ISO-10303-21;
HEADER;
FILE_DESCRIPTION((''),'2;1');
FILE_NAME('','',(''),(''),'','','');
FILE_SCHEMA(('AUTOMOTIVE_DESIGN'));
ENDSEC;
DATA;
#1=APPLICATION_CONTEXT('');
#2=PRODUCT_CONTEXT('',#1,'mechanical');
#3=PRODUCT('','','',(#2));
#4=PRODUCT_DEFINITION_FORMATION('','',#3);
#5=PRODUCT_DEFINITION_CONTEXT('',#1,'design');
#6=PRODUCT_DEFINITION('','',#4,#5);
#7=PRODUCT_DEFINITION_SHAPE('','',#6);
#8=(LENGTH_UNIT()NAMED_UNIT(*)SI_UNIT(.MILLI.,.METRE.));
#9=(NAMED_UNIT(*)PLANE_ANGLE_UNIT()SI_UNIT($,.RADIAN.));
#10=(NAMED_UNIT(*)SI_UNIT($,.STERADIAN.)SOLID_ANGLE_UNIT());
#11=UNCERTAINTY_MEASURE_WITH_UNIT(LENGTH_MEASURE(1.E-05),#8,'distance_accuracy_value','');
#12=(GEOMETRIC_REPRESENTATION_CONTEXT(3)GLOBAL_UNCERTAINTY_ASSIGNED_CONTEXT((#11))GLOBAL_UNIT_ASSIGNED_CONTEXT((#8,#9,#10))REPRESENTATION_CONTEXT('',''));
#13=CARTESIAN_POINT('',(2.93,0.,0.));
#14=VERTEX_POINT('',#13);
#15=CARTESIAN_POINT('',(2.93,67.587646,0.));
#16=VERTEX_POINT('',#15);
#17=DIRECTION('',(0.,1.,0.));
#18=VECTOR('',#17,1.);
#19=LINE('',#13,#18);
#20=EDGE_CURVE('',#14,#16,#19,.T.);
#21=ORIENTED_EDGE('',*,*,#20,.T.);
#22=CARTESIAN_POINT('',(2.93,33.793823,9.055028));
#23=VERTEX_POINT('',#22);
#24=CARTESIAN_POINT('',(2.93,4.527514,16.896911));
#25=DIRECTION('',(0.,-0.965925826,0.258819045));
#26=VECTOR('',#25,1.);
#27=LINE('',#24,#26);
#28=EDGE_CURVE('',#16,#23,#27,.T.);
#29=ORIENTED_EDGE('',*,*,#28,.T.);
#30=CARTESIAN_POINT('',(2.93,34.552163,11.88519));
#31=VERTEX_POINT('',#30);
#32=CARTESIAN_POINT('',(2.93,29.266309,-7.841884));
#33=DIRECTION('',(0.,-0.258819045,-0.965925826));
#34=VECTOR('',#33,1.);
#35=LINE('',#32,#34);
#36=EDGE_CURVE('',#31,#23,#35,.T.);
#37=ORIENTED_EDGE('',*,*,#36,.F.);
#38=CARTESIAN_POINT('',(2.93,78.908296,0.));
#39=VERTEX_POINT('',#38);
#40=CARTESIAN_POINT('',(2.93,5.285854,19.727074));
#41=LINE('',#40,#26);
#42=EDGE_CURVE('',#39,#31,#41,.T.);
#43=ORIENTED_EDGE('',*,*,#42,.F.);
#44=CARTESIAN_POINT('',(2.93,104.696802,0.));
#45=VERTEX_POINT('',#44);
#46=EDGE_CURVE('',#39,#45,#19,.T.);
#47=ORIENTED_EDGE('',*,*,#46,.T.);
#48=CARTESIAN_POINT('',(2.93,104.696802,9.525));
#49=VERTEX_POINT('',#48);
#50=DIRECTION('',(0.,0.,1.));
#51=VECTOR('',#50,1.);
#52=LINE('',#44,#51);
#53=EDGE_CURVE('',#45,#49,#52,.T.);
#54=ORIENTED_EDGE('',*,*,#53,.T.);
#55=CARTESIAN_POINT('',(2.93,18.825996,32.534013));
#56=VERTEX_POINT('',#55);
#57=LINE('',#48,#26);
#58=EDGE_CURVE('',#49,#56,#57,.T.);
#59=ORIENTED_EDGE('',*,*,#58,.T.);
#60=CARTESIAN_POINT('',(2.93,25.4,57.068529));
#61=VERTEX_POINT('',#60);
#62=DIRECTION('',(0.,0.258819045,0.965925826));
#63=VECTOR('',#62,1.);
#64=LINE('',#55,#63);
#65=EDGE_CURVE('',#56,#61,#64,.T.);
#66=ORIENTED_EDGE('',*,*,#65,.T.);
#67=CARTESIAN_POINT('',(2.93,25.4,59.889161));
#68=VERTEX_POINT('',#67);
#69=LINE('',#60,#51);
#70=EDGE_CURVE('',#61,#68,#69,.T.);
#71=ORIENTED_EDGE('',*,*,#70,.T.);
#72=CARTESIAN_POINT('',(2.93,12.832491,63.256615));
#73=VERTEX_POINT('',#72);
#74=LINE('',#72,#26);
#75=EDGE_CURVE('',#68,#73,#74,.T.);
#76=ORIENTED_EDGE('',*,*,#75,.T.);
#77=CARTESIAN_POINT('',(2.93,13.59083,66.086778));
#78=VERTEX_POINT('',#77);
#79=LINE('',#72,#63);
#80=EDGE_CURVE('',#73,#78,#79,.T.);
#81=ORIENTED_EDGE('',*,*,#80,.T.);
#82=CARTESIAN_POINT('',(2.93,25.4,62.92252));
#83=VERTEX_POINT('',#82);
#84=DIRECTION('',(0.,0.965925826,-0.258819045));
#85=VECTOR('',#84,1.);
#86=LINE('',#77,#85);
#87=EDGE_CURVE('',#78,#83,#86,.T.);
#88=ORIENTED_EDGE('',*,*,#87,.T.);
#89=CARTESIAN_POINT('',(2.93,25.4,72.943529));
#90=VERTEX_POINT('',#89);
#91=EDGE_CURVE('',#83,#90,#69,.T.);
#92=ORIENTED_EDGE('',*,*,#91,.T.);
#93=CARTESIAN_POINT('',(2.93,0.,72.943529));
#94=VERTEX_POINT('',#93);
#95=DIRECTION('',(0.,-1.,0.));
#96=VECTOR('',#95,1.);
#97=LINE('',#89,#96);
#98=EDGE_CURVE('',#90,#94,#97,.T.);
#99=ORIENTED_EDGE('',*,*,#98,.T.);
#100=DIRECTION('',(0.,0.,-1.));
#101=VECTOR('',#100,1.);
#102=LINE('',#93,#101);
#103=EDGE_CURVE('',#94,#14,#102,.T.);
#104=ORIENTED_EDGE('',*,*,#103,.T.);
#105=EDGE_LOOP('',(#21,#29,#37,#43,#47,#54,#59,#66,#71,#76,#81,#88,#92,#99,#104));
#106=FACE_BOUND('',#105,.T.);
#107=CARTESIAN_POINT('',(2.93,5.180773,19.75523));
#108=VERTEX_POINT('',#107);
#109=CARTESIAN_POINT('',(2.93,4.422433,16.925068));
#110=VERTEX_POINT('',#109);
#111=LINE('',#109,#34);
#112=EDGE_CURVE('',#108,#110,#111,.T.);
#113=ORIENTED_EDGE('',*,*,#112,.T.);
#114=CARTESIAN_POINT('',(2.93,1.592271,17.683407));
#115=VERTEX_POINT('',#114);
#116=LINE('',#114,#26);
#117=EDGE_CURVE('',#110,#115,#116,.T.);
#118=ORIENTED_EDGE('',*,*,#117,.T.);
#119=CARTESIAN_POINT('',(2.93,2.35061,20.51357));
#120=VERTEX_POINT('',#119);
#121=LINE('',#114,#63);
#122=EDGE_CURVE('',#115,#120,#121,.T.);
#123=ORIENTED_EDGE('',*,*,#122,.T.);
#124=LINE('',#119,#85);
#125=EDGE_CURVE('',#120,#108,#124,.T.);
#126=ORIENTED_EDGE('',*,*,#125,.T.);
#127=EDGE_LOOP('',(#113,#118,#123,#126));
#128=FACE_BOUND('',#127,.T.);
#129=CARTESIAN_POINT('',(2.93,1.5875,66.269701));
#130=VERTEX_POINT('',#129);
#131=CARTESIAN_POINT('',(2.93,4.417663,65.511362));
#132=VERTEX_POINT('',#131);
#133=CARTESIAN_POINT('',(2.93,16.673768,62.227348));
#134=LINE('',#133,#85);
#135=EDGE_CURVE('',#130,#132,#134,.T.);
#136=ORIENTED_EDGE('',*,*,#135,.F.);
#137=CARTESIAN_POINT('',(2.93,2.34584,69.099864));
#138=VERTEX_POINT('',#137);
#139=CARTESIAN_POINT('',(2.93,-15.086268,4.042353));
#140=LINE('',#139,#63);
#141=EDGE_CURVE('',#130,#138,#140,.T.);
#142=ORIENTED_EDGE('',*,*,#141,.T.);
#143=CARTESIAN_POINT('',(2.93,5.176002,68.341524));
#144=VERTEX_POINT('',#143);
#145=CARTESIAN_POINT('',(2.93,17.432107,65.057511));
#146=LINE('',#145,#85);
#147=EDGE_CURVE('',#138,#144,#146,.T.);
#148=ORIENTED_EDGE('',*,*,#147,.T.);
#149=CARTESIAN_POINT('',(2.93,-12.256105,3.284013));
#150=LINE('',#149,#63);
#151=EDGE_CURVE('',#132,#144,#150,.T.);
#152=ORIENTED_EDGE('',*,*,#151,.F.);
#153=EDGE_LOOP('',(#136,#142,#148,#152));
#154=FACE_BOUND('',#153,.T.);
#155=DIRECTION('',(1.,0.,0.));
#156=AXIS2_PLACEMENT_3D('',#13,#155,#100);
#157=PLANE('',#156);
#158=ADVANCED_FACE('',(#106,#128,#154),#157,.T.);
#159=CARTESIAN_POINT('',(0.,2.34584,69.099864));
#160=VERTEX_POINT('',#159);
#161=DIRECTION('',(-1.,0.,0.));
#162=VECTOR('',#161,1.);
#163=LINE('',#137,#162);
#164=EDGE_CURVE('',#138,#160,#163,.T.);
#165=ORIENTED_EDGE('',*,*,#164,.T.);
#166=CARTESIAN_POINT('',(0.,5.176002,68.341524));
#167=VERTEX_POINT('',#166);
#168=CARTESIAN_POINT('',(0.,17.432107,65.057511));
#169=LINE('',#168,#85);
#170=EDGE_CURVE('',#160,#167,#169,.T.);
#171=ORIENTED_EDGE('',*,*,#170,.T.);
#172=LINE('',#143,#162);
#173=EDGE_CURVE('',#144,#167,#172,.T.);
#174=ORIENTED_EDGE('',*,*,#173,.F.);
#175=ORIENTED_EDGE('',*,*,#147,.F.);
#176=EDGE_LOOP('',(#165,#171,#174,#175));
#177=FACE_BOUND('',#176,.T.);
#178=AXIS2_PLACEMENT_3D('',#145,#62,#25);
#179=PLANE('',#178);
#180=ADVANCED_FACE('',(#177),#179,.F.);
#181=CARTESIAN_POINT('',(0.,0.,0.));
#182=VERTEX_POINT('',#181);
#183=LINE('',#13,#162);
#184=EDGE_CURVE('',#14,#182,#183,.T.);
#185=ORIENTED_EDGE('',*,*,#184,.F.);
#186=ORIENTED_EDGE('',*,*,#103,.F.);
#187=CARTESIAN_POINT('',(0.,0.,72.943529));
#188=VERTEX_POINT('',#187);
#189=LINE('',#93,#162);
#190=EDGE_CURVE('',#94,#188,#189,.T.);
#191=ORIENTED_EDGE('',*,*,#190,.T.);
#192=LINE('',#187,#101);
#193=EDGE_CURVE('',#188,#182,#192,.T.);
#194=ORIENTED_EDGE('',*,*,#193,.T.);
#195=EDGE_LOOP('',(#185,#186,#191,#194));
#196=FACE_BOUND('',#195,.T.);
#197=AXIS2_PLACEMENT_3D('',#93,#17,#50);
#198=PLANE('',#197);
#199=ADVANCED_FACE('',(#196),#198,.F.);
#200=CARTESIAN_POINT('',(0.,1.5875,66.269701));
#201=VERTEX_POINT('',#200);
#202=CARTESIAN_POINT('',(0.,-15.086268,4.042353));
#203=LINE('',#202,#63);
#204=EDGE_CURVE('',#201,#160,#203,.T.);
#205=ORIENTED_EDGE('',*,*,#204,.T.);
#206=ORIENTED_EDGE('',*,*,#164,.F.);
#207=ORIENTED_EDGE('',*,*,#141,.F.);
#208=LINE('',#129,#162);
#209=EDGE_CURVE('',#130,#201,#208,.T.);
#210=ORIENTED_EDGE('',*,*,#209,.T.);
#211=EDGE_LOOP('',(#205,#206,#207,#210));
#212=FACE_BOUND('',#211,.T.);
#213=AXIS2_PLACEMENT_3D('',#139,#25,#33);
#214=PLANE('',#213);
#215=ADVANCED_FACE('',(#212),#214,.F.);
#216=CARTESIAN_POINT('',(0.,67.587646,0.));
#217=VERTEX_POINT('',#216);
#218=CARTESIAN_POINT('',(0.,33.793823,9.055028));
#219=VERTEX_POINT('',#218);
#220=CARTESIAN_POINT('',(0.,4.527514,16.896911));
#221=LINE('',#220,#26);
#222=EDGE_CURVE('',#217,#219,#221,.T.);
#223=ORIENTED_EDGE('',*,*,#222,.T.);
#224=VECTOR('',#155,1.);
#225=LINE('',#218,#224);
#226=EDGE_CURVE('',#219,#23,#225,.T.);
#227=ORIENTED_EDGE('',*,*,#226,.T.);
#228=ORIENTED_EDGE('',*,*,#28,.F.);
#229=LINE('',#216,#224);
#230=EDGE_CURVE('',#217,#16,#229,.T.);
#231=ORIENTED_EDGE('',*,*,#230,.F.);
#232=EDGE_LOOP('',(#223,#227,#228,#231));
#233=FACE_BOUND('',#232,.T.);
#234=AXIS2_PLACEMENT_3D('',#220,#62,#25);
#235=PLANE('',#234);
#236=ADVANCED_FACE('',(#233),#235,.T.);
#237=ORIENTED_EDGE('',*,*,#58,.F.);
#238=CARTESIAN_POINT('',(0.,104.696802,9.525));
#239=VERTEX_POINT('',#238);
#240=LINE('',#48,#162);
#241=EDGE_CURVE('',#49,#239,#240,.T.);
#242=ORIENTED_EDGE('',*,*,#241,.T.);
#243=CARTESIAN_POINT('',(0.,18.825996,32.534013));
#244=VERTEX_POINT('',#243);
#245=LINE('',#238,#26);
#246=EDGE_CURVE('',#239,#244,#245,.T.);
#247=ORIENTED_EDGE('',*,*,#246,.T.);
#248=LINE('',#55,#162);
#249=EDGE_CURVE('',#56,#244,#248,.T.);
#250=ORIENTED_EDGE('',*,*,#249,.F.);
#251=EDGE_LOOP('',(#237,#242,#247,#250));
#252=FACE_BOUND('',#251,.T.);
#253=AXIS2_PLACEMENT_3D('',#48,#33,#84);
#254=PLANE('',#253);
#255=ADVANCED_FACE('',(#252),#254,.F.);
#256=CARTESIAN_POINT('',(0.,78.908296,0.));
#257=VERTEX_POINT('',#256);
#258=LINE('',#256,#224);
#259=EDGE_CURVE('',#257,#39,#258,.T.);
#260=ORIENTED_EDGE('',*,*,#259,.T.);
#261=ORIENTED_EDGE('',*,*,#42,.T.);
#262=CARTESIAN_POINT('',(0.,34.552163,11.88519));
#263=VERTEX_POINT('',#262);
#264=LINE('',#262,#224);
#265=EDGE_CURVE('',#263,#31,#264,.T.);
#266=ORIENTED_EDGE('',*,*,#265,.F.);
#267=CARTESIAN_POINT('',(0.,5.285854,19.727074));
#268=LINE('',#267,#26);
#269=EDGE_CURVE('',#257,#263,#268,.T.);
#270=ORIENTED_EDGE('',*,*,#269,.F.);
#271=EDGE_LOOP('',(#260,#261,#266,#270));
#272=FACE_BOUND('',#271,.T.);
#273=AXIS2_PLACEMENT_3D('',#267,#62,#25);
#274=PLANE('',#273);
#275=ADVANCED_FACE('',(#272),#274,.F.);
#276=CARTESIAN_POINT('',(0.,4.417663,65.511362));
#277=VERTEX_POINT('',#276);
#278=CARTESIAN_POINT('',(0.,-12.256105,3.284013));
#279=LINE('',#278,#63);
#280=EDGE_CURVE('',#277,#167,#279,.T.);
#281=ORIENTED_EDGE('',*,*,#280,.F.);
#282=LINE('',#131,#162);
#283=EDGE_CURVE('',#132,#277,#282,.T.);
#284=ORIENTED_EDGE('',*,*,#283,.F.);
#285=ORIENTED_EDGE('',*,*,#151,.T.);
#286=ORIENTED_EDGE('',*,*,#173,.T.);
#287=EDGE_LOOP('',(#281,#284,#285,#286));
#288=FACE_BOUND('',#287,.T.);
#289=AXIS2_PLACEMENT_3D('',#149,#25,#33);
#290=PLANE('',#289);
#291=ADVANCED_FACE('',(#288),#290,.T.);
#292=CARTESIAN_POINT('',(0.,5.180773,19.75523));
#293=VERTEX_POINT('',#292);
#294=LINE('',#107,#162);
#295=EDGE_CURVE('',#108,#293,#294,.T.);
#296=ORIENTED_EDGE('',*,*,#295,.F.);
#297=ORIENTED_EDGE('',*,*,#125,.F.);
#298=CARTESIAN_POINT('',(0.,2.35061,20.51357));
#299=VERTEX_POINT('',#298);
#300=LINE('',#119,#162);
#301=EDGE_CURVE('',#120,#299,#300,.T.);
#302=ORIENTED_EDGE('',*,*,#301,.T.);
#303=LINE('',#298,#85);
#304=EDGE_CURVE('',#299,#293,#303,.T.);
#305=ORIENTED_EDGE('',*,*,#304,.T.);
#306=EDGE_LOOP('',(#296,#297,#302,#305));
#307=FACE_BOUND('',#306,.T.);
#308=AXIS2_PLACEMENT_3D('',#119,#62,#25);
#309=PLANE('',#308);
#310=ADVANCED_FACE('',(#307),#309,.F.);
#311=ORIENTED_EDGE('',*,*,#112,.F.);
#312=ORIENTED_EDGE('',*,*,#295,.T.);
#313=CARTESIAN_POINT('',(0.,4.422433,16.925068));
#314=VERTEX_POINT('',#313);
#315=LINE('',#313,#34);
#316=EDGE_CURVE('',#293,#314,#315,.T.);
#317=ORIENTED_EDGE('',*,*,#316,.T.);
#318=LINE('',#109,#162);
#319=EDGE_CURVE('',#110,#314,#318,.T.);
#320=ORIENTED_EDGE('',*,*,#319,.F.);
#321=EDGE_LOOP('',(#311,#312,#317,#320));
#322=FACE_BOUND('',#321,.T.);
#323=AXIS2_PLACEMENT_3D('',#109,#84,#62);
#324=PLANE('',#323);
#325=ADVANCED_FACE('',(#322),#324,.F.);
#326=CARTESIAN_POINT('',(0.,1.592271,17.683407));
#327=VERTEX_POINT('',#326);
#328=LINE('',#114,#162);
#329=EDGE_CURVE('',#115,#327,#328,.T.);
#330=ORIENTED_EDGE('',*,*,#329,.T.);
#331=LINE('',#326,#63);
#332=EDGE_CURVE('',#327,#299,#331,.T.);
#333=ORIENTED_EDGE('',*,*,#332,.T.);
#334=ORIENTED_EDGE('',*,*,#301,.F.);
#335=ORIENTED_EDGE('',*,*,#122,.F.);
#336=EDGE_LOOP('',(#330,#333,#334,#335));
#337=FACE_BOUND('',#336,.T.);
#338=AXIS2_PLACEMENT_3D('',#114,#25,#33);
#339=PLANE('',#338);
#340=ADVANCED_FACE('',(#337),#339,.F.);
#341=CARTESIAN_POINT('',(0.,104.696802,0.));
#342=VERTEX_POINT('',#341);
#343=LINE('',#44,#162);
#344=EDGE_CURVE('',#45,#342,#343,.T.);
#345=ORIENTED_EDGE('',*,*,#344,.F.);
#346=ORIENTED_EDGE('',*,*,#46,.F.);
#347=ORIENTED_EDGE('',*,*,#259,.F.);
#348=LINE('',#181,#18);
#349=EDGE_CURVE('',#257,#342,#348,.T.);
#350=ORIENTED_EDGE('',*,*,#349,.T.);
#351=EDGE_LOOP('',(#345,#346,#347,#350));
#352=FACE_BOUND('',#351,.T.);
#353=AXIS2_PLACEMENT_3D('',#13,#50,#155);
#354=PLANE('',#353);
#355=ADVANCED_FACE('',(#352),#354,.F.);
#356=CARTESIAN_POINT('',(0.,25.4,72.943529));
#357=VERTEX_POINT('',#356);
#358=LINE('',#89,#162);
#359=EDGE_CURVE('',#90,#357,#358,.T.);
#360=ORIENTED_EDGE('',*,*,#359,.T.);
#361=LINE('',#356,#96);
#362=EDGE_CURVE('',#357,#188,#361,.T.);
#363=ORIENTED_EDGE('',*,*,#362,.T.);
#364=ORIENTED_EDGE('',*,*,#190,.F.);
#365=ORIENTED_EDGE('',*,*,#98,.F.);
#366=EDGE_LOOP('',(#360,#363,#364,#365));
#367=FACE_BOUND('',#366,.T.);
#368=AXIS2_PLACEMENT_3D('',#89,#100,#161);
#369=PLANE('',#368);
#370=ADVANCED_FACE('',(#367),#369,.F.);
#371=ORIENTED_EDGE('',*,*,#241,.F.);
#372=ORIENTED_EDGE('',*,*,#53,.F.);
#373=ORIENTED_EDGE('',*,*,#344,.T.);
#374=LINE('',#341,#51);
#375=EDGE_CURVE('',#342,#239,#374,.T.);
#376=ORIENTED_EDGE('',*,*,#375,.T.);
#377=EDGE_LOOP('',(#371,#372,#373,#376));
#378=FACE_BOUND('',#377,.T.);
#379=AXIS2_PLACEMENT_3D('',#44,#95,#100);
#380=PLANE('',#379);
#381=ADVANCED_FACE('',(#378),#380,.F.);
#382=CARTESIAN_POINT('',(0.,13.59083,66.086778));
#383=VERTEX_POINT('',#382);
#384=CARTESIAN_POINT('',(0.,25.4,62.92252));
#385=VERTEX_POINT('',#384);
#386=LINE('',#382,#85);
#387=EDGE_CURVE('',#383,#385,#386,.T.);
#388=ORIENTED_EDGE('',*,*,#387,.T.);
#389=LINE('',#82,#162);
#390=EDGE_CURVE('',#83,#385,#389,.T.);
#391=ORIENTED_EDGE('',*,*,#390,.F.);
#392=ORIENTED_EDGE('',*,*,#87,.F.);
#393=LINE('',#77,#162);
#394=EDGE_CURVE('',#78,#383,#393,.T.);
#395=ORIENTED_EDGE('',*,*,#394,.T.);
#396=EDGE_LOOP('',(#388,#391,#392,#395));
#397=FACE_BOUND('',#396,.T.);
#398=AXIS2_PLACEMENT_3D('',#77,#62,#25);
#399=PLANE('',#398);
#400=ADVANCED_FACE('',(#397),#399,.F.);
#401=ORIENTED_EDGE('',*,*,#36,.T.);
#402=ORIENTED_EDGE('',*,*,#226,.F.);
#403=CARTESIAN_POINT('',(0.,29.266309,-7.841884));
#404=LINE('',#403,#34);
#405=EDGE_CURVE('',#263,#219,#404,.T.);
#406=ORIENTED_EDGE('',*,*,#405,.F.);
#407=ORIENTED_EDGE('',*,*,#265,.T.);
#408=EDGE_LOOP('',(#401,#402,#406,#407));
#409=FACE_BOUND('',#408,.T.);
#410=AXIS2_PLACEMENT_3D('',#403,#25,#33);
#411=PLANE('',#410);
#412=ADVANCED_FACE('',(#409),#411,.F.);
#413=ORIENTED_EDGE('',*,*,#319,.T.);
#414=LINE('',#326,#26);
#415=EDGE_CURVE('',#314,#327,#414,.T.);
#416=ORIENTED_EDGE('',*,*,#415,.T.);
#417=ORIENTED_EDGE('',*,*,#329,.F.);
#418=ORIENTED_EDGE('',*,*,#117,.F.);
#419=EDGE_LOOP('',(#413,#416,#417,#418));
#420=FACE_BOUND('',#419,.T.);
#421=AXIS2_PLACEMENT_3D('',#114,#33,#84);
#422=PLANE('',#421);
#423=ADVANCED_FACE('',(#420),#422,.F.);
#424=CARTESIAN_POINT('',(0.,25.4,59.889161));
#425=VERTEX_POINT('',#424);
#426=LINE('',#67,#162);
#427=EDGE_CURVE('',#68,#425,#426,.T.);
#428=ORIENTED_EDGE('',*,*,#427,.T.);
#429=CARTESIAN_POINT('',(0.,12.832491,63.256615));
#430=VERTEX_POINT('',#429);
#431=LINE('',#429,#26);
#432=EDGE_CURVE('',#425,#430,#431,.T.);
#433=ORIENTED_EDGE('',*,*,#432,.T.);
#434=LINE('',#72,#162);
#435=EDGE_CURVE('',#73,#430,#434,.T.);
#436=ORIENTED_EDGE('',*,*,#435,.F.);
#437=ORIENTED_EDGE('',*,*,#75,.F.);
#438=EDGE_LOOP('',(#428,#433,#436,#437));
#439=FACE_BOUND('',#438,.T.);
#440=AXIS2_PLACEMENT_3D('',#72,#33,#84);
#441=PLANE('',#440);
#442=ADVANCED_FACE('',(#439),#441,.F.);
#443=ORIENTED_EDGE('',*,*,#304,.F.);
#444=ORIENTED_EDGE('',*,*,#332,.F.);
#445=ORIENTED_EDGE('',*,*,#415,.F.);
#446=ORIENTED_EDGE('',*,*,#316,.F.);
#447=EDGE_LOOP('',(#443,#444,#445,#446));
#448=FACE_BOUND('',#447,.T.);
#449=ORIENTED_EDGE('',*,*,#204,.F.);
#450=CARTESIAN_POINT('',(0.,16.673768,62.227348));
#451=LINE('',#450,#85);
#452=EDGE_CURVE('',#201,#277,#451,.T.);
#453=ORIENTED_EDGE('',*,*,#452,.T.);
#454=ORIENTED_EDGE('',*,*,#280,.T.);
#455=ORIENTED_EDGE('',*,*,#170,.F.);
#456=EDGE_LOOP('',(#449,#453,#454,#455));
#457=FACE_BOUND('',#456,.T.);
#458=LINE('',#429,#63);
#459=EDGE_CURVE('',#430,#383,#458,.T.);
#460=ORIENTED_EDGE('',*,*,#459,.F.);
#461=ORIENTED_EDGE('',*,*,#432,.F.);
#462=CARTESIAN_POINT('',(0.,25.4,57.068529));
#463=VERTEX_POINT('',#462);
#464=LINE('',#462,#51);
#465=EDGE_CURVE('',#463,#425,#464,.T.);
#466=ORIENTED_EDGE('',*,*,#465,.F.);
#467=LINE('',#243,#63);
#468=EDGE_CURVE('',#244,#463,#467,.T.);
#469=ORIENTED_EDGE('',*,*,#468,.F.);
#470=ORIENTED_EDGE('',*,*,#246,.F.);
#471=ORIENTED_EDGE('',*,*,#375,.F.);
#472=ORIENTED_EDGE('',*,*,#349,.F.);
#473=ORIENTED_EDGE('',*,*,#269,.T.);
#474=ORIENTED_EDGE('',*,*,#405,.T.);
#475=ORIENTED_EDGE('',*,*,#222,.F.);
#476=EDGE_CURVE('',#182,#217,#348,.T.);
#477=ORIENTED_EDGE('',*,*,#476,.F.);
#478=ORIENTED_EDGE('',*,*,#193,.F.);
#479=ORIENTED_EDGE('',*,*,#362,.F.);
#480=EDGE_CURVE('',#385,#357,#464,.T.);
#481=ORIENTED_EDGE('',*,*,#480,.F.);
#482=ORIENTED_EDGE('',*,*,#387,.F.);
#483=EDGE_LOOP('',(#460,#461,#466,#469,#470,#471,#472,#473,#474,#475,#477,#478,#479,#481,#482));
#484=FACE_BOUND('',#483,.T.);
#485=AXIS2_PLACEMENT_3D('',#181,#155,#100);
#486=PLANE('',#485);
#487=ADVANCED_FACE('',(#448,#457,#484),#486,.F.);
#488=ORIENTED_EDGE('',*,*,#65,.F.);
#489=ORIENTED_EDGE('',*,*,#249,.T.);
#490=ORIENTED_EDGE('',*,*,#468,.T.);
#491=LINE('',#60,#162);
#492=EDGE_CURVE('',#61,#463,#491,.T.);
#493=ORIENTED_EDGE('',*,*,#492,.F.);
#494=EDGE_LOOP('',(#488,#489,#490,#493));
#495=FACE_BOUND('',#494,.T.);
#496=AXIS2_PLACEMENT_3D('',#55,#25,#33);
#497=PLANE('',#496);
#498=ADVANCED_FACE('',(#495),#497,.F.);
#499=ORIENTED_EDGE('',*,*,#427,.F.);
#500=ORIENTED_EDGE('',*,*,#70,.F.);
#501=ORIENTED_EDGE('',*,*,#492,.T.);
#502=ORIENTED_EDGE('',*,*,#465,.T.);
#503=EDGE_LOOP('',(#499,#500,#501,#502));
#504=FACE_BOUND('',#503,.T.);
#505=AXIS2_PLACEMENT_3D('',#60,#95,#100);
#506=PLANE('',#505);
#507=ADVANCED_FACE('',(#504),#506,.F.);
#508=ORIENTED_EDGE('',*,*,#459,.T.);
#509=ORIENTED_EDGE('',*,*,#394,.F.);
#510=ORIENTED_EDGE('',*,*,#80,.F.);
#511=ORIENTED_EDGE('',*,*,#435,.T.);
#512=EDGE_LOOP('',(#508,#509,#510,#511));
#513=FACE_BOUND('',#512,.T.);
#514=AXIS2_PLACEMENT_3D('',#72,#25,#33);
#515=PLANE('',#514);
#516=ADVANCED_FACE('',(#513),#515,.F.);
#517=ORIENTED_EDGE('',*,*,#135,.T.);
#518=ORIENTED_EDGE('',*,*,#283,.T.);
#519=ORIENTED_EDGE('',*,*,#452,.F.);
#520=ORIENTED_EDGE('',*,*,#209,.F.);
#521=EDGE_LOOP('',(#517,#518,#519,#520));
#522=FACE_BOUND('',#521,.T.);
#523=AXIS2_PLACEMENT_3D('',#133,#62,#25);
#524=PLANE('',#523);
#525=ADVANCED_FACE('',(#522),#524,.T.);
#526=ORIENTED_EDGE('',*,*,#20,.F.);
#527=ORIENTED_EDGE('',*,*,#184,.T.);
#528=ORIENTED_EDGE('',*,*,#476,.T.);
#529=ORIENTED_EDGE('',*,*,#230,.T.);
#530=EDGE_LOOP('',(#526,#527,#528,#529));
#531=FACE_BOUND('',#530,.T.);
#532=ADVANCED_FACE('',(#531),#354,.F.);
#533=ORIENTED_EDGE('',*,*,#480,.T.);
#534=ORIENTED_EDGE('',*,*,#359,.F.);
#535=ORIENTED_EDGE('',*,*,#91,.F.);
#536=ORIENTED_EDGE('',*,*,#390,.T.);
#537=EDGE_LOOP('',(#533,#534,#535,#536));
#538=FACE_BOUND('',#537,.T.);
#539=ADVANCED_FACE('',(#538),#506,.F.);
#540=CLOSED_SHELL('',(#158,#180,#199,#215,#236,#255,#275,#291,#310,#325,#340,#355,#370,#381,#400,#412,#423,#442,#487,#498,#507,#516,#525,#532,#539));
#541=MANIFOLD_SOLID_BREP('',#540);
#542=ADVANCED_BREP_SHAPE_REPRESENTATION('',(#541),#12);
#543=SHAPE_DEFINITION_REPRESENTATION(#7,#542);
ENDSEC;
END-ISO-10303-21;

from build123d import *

# Parameters (mm, degrees)
BOSS_EXTRUDE1_DEPTH = 2.93
CUT_EXTRUDE4_DEPTH  = 3.93
CUT_EXTRUDE6_DEPTH  = 3.93
CUT_EXTRUDE7_DEPTH  = 3.93
CUT_EXTRUDE9_DEPTH  = 3.93


with BuildPart() as part:
    # Sketch1 → Boss-Extrude1 (new body)
    with BuildSketch(Plane(origin=(0, 0, 0), x_dir=(0, 0, -1), z_dir=(1, 0, 0))):
        Polygon((0, 0), (0, 104.696802211), (-9.525, 104.696802211), (-32.53401311, 18.825996254), (-57.068529097, 25.4), (-72.943529097, 25.4), (-72.943529097, 0), align=None)
    extrude(amount=BOSS_EXTRUDE1_DEPTH)

    # Sketch5 → Cut-Extrude4 (cut, through all)
    with BuildSketch(Plane(origin=(2.93, 0, 0), x_dir=(0, 0, -1), z_dir=(1, 0, 0))):
        Polygon((0, 67.5876455), (0, 78.908296184), (-11.885190186, 34.552162552), (-9.055027515, 33.79382275), align=None)
    extrude(amount=-CUT_EXTRUDE4_DEPTH, mode=Mode.SUBTRACT)

    # Sketch7 → Cut-Extrude6 (cut, through all)
    with BuildSketch(Plane.ZY):
        Polygon((63.256615243, 12.832490583), (66.086777914, 13.590830386), (62.719323915, 26.158339802), (59.889161244, 25.4), align=None)
    extrude(amount=-CUT_EXTRUDE6_DEPTH, mode=Mode.SUBTRACT)

    # Sketch9 → Cut-Extrude7 (cut, through all)
    with BuildSketch(Plane.ZY):
        Polygon((65.511361587, 4.417662671), (68.341524258, 5.176002473), (69.09986406, 2.345839802), (66.269701389, 1.5875), align=None)
    extrude(amount=-CUT_EXTRUDE7_DEPTH, mode=Mode.SUBTRACT)

    # Sketch11 → Cut-Extrude9 (cut, through all)
    with BuildSketch(Plane.ZY):
        Polygon((17.683407431, 1.592270516), (20.513570102, 2.350610318), (19.7552303, 5.180772989), (16.925067629, 4.422433187), align=None)
    extrude(amount=-CUT_EXTRUDE9_DEPTH, mode=Mode.SUBTRACT)


solid = part.part
